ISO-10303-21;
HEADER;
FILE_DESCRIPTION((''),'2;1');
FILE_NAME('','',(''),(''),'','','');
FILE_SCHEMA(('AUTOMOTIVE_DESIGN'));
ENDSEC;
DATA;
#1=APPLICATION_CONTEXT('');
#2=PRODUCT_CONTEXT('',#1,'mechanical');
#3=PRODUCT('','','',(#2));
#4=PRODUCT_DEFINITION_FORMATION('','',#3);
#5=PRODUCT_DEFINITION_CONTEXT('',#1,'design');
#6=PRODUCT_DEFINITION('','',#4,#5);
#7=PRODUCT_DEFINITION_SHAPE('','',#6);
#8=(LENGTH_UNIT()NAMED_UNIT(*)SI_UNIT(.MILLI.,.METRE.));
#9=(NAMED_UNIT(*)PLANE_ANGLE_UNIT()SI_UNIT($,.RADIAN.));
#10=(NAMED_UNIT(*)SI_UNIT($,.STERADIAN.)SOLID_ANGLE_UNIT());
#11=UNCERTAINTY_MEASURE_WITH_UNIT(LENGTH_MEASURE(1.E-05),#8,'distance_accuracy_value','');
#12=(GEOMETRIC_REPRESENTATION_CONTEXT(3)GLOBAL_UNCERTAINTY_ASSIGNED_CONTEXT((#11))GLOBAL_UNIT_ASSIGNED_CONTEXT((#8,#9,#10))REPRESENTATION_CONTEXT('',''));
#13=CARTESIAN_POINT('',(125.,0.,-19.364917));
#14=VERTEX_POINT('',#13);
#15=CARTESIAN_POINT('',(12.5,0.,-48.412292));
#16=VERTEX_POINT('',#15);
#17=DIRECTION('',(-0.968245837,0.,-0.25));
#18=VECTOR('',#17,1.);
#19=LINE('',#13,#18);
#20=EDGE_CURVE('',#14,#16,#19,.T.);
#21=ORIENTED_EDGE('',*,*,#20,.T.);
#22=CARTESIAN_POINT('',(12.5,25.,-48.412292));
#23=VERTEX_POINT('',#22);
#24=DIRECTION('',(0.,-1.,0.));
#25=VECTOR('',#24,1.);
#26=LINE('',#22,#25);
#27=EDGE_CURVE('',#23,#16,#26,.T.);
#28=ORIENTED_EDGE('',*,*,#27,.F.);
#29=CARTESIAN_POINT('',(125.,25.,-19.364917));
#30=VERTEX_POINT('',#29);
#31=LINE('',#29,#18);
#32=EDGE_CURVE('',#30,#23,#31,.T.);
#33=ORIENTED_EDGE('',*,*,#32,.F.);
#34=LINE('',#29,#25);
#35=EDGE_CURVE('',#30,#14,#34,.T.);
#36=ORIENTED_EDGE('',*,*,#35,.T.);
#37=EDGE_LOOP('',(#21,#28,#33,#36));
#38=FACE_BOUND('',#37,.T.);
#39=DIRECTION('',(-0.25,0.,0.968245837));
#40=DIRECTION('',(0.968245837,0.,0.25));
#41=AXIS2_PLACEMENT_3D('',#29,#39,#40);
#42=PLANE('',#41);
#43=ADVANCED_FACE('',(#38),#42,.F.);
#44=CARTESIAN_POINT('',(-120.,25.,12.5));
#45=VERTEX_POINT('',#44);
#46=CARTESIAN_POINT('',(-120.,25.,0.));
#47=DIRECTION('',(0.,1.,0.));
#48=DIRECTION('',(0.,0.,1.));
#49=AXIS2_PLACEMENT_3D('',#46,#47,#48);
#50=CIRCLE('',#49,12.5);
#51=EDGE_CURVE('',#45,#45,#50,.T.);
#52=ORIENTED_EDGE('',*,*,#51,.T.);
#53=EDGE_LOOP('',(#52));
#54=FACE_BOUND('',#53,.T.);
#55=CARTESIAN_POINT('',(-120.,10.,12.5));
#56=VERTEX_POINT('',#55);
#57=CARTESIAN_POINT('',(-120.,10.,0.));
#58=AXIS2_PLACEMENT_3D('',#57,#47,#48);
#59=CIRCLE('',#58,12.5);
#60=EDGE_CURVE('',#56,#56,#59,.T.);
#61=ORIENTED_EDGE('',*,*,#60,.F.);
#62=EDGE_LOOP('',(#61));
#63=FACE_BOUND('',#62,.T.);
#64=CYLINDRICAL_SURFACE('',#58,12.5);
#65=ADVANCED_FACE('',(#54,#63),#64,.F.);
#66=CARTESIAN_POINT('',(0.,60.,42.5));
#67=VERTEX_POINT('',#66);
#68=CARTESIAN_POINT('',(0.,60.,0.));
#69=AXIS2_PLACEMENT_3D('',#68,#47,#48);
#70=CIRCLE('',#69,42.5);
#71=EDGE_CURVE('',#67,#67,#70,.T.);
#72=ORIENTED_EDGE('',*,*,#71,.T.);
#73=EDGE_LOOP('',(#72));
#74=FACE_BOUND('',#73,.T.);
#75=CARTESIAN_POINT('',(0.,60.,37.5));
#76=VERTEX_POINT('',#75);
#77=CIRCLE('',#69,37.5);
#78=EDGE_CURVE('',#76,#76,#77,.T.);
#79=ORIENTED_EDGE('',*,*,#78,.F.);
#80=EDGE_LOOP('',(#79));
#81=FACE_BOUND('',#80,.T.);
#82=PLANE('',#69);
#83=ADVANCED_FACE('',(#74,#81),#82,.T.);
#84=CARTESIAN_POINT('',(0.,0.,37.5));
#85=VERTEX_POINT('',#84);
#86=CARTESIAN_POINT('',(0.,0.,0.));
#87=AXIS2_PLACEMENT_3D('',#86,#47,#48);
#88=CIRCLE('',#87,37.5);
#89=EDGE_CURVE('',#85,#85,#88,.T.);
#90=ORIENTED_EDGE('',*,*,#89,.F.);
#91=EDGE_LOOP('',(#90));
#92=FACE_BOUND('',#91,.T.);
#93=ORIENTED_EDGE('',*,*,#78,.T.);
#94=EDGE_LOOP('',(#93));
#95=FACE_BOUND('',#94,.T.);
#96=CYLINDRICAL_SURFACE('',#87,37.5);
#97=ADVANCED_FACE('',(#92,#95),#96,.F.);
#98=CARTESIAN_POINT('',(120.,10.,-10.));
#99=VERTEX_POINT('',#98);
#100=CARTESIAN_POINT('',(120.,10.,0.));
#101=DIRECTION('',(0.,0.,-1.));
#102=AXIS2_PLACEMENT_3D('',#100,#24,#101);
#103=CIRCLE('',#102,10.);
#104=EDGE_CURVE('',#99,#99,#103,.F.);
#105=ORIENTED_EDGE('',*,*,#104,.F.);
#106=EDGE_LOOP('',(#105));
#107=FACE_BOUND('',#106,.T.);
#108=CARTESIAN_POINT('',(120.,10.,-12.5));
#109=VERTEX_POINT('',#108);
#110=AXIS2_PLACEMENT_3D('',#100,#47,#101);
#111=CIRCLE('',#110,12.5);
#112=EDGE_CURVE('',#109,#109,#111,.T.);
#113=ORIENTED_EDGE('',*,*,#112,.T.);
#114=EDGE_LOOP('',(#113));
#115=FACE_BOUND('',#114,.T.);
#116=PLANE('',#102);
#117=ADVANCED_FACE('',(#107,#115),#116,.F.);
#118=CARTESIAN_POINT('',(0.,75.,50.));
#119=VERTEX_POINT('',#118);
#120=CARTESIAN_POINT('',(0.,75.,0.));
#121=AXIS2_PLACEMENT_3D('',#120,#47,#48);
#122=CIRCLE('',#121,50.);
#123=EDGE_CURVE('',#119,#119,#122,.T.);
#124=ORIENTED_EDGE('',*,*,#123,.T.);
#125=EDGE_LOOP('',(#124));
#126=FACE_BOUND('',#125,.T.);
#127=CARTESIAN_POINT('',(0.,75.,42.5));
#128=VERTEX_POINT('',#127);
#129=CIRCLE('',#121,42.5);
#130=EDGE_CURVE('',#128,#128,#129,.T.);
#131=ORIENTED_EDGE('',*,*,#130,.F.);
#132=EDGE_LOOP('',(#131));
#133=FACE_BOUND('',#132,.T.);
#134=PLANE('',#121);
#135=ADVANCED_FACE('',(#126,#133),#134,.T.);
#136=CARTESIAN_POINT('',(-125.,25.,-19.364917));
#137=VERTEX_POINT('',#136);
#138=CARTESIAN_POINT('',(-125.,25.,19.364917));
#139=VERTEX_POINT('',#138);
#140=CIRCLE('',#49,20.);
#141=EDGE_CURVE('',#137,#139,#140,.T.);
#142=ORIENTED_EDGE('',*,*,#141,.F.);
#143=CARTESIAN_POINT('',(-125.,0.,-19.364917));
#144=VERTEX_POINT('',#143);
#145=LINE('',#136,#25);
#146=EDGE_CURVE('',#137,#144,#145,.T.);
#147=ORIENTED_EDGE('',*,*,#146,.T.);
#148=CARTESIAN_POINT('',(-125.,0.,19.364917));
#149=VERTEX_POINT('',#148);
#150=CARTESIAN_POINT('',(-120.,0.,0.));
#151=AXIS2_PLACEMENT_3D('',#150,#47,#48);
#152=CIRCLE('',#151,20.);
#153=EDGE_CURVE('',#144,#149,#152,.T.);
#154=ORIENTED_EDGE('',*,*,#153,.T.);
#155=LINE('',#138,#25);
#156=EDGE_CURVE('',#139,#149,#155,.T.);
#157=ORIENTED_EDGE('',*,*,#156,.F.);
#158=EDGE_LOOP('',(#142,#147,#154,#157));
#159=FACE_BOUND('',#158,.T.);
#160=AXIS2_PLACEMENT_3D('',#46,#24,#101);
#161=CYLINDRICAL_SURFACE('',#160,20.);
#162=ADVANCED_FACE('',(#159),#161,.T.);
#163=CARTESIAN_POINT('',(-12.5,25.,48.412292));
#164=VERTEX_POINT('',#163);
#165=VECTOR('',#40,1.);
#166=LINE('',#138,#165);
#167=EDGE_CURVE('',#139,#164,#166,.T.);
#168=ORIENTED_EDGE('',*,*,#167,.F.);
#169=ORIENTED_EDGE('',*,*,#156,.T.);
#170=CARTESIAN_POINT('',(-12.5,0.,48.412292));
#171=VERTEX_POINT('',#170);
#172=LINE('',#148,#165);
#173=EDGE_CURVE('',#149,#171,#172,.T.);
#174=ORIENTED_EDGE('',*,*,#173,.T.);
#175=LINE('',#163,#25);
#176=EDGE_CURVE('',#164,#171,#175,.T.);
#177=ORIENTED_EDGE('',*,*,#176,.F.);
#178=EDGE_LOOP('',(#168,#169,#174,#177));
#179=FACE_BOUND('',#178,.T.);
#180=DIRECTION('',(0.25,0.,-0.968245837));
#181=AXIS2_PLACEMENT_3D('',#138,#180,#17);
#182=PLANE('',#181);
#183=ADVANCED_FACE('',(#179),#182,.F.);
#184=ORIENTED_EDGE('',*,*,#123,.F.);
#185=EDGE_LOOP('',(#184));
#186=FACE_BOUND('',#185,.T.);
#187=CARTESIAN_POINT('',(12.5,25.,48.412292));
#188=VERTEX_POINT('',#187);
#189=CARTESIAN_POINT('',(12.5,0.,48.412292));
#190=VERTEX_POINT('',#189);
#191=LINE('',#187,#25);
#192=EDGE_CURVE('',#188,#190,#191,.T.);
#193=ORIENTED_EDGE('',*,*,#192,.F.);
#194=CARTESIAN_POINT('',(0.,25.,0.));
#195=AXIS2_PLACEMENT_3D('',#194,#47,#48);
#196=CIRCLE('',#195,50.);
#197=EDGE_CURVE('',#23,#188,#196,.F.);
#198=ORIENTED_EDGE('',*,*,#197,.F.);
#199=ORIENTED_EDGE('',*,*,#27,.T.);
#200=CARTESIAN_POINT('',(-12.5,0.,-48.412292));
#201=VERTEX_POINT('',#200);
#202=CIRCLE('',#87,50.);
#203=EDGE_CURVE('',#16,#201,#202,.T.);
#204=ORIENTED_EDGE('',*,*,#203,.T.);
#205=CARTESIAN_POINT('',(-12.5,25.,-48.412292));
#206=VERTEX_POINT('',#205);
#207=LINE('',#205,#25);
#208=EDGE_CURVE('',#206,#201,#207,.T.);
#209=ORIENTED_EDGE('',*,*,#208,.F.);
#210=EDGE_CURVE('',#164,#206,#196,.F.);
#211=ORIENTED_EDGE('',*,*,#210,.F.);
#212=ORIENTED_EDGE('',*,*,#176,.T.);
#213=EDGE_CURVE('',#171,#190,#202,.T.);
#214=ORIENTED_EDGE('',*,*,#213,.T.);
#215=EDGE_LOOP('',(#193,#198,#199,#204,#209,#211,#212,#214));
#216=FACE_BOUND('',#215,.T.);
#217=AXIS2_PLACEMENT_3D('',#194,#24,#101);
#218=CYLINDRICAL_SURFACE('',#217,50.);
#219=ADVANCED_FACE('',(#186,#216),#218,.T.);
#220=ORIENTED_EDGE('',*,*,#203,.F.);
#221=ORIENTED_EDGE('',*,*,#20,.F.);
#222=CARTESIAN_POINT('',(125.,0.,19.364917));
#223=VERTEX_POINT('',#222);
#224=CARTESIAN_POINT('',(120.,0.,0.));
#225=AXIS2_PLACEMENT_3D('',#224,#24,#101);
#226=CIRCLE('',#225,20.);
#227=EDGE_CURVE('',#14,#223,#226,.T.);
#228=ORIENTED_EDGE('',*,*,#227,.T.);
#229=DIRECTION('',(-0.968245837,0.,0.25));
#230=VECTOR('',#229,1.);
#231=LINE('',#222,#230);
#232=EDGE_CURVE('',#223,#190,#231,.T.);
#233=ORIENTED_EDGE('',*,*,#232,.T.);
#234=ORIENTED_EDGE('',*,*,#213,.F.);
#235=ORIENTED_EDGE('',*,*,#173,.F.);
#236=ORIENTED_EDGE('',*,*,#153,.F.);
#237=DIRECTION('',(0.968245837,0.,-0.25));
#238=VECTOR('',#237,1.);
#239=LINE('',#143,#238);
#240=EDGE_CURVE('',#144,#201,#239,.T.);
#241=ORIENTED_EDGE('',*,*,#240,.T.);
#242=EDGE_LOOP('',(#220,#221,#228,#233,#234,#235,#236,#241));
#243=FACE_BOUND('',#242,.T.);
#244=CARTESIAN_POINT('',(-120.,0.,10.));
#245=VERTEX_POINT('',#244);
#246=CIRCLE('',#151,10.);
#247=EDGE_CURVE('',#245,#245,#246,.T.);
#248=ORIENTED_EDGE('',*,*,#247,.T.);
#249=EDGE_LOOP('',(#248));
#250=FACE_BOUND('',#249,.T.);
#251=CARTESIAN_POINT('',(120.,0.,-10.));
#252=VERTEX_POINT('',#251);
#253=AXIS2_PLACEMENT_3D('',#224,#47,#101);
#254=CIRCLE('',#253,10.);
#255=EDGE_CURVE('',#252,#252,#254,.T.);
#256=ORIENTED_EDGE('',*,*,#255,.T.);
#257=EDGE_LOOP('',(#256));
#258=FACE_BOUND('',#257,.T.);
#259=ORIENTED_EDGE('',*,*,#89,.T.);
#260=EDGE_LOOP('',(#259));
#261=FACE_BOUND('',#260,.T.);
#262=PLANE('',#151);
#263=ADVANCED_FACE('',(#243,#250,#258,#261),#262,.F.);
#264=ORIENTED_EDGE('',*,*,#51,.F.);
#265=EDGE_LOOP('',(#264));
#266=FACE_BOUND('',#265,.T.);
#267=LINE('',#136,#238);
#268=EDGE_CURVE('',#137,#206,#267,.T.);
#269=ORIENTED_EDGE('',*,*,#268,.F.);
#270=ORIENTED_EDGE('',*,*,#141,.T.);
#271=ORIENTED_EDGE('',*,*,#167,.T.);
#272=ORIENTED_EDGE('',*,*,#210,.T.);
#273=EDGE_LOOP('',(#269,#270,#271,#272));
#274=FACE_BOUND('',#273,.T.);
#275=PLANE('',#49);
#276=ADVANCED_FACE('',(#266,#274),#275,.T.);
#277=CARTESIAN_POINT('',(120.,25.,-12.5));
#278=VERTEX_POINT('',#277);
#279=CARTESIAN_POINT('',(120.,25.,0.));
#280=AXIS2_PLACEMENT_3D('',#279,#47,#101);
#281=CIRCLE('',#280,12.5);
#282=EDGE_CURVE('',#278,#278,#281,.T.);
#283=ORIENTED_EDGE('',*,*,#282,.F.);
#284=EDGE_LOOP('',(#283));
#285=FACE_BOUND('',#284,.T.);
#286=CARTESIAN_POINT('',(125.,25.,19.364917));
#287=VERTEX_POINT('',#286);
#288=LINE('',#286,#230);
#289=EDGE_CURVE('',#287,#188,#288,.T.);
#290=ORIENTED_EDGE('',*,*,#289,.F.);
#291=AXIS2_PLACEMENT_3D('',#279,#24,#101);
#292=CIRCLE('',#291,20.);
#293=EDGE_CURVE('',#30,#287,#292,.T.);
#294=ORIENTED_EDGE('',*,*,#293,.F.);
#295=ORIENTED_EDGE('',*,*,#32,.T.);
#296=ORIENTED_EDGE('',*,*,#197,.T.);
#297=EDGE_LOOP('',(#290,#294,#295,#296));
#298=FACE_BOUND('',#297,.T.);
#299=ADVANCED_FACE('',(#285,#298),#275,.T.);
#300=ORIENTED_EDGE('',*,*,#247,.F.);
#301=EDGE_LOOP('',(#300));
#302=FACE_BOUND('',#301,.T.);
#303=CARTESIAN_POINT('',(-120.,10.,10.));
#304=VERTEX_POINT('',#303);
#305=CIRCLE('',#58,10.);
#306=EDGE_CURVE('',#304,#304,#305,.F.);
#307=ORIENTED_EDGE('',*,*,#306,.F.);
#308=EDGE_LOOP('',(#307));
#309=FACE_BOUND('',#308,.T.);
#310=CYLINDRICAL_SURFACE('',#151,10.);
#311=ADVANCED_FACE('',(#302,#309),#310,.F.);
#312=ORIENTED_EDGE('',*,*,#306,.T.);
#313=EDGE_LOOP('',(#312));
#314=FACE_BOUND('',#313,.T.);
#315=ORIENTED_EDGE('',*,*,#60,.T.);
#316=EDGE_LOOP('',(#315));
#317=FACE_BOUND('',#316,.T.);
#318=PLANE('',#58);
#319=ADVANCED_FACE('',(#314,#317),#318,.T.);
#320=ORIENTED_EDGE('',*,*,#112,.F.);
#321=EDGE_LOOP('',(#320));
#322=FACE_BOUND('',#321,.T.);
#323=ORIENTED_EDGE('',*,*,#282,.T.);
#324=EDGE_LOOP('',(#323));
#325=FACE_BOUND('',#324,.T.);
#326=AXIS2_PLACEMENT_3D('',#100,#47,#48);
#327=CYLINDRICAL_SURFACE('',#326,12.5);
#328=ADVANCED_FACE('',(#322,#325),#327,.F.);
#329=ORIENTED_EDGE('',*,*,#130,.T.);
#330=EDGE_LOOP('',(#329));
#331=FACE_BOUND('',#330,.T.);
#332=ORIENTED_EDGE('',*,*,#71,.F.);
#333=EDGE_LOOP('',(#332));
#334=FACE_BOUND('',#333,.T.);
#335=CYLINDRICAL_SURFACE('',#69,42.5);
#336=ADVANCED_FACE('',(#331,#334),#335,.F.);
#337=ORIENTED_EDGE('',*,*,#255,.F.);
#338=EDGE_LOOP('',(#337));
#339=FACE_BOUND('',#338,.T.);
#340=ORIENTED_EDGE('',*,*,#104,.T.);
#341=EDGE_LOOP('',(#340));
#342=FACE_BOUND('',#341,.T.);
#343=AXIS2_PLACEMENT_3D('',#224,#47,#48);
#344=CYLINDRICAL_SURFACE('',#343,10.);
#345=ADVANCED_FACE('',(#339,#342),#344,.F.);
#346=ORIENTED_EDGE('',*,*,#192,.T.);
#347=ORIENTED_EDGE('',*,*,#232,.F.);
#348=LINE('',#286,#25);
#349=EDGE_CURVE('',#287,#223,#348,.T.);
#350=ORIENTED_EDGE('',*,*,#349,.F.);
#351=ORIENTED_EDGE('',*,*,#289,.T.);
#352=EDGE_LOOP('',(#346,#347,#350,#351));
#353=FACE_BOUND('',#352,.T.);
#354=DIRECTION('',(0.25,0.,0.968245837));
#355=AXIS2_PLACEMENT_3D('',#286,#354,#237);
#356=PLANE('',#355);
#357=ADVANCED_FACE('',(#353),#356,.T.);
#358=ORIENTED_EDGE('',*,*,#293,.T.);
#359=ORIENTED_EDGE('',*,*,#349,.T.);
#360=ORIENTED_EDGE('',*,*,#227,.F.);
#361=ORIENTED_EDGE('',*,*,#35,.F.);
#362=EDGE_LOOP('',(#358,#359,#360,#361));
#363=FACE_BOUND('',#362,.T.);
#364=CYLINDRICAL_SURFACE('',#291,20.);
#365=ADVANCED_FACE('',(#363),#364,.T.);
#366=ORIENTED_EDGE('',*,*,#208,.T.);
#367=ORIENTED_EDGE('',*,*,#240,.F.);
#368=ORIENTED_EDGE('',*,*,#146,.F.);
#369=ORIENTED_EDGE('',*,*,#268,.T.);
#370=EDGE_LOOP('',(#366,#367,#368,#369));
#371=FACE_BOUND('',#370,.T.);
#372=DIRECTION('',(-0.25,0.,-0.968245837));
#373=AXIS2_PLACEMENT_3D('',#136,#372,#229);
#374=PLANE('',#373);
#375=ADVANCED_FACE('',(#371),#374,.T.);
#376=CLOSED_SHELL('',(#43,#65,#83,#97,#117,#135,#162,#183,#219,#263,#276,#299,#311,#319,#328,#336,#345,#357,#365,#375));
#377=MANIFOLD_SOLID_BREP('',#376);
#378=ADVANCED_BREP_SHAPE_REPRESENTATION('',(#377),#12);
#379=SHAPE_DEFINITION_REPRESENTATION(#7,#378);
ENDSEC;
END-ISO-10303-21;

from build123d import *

# Parameters (mm, degrees)
BOSS_EXTRUDE3_DEPTH = 25
SKETCH3_R           = 10
CUT_EXTRUDE1_DEPTH  = 25
SKETCH4_R           = 12.5
CUT_EXTRUDE2_DEPTH  = 15
SKETCH5_R           = 50
BOSS_EXTRUDE5_DEPTH = 75
SKETCH9_R           = 42.5
CUT_EXTRUDE5_DEPTH  = 15
SKETCH10_R          = 37.5
CUT_EXTRUDE6_DEPTH  = 60


with BuildPart() as part:
    # Sketch2 → Boss-Extrude3 (new body)
    with BuildSketch(Plane(origin=(0, 0, 0), x_dir=(1, 0, 0), z_dir=(0, 1, 0))):
        with BuildLine():
            Line((-125, 19.364916731), (-12.5, 48.412291828))
            ThreePointArc((-12.5, 48.412291828), (0, 50), (12.5, 48.412291828))
            Line((12.5, 48.412291828), (125, 19.364916731))
            ThreePointArc((125, 19.364916731), (140, 0), (125, -19.364916731))
            Line((125, -19.364916731), (12.5, -48.412291828))
            ThreePointArc((12.5, -48.412291828), (0, -50), (-12.5, -48.412291828))
            Line((-12.5, -48.412291828), (-125, -19.364916731))
            ThreePointArc((-125, -19.364916731), (-140, 0), (-125, 19.364916731))
        make_face()
    extrude(amount=BOSS_EXTRUDE3_DEPTH)

    # Sketch3 → Cut-Extrude1 (cut)
    with BuildSketch(Plane(origin=(0, 25, 0), x_dir=(1, 0, 0), z_dir=(0, 1, 0))):
        with Locations((-120, 0)):
            Circle(SKETCH3_R)
        with Locations((120, 0)):
            Circle(SKETCH3_R)
    extrude(amount=-CUT_EXTRUDE1_DEPTH, mode=Mode.SUBTRACT)

    # Sketch4 → Cut-Extrude2 (cut)
    with BuildSketch(Plane(origin=(0, 25, 0), x_dir=(1, 0, 0), z_dir=(0, 1, 0))):
        with Locations((-120, 0)):
            Circle(SKETCH4_R)
        with Locations((120, 0)):
            Circle(SKETCH4_R)
    extrude(amount=-CUT_EXTRUDE2_DEPTH, mode=Mode.SUBTRACT)

    # Sketch5 → Boss-Extrude5 (add)
    with BuildSketch(Plane(origin=(0, 0, 0), x_dir=(1, 0, 0), z_dir=(0, 1, 0))):
        Circle(SKETCH5_R)
    extrude(amount=BOSS_EXTRUDE5_DEPTH)

    # Sketch9 → Cut-Extrude5 (cut)
    with BuildSketch(Plane(origin=(0, 75, 0), x_dir=(1, 0, 0), z_dir=(0, 1, 0))):
        Circle(SKETCH9_R)
    extrude(amount=-CUT_EXTRUDE5_DEPTH, mode=Mode.SUBTRACT)

    # Sketch10 → Cut-Extrude6 (cut)
    with BuildSketch(Plane(origin=(0, 60, 0), x_dir=(1, 0, 0), z_dir=(0, 1, 0))):
        Circle(SKETCH10_R)
    extrude(amount=-CUT_EXTRUDE6_DEPTH, mode=Mode.SUBTRACT)


solid = part.part
